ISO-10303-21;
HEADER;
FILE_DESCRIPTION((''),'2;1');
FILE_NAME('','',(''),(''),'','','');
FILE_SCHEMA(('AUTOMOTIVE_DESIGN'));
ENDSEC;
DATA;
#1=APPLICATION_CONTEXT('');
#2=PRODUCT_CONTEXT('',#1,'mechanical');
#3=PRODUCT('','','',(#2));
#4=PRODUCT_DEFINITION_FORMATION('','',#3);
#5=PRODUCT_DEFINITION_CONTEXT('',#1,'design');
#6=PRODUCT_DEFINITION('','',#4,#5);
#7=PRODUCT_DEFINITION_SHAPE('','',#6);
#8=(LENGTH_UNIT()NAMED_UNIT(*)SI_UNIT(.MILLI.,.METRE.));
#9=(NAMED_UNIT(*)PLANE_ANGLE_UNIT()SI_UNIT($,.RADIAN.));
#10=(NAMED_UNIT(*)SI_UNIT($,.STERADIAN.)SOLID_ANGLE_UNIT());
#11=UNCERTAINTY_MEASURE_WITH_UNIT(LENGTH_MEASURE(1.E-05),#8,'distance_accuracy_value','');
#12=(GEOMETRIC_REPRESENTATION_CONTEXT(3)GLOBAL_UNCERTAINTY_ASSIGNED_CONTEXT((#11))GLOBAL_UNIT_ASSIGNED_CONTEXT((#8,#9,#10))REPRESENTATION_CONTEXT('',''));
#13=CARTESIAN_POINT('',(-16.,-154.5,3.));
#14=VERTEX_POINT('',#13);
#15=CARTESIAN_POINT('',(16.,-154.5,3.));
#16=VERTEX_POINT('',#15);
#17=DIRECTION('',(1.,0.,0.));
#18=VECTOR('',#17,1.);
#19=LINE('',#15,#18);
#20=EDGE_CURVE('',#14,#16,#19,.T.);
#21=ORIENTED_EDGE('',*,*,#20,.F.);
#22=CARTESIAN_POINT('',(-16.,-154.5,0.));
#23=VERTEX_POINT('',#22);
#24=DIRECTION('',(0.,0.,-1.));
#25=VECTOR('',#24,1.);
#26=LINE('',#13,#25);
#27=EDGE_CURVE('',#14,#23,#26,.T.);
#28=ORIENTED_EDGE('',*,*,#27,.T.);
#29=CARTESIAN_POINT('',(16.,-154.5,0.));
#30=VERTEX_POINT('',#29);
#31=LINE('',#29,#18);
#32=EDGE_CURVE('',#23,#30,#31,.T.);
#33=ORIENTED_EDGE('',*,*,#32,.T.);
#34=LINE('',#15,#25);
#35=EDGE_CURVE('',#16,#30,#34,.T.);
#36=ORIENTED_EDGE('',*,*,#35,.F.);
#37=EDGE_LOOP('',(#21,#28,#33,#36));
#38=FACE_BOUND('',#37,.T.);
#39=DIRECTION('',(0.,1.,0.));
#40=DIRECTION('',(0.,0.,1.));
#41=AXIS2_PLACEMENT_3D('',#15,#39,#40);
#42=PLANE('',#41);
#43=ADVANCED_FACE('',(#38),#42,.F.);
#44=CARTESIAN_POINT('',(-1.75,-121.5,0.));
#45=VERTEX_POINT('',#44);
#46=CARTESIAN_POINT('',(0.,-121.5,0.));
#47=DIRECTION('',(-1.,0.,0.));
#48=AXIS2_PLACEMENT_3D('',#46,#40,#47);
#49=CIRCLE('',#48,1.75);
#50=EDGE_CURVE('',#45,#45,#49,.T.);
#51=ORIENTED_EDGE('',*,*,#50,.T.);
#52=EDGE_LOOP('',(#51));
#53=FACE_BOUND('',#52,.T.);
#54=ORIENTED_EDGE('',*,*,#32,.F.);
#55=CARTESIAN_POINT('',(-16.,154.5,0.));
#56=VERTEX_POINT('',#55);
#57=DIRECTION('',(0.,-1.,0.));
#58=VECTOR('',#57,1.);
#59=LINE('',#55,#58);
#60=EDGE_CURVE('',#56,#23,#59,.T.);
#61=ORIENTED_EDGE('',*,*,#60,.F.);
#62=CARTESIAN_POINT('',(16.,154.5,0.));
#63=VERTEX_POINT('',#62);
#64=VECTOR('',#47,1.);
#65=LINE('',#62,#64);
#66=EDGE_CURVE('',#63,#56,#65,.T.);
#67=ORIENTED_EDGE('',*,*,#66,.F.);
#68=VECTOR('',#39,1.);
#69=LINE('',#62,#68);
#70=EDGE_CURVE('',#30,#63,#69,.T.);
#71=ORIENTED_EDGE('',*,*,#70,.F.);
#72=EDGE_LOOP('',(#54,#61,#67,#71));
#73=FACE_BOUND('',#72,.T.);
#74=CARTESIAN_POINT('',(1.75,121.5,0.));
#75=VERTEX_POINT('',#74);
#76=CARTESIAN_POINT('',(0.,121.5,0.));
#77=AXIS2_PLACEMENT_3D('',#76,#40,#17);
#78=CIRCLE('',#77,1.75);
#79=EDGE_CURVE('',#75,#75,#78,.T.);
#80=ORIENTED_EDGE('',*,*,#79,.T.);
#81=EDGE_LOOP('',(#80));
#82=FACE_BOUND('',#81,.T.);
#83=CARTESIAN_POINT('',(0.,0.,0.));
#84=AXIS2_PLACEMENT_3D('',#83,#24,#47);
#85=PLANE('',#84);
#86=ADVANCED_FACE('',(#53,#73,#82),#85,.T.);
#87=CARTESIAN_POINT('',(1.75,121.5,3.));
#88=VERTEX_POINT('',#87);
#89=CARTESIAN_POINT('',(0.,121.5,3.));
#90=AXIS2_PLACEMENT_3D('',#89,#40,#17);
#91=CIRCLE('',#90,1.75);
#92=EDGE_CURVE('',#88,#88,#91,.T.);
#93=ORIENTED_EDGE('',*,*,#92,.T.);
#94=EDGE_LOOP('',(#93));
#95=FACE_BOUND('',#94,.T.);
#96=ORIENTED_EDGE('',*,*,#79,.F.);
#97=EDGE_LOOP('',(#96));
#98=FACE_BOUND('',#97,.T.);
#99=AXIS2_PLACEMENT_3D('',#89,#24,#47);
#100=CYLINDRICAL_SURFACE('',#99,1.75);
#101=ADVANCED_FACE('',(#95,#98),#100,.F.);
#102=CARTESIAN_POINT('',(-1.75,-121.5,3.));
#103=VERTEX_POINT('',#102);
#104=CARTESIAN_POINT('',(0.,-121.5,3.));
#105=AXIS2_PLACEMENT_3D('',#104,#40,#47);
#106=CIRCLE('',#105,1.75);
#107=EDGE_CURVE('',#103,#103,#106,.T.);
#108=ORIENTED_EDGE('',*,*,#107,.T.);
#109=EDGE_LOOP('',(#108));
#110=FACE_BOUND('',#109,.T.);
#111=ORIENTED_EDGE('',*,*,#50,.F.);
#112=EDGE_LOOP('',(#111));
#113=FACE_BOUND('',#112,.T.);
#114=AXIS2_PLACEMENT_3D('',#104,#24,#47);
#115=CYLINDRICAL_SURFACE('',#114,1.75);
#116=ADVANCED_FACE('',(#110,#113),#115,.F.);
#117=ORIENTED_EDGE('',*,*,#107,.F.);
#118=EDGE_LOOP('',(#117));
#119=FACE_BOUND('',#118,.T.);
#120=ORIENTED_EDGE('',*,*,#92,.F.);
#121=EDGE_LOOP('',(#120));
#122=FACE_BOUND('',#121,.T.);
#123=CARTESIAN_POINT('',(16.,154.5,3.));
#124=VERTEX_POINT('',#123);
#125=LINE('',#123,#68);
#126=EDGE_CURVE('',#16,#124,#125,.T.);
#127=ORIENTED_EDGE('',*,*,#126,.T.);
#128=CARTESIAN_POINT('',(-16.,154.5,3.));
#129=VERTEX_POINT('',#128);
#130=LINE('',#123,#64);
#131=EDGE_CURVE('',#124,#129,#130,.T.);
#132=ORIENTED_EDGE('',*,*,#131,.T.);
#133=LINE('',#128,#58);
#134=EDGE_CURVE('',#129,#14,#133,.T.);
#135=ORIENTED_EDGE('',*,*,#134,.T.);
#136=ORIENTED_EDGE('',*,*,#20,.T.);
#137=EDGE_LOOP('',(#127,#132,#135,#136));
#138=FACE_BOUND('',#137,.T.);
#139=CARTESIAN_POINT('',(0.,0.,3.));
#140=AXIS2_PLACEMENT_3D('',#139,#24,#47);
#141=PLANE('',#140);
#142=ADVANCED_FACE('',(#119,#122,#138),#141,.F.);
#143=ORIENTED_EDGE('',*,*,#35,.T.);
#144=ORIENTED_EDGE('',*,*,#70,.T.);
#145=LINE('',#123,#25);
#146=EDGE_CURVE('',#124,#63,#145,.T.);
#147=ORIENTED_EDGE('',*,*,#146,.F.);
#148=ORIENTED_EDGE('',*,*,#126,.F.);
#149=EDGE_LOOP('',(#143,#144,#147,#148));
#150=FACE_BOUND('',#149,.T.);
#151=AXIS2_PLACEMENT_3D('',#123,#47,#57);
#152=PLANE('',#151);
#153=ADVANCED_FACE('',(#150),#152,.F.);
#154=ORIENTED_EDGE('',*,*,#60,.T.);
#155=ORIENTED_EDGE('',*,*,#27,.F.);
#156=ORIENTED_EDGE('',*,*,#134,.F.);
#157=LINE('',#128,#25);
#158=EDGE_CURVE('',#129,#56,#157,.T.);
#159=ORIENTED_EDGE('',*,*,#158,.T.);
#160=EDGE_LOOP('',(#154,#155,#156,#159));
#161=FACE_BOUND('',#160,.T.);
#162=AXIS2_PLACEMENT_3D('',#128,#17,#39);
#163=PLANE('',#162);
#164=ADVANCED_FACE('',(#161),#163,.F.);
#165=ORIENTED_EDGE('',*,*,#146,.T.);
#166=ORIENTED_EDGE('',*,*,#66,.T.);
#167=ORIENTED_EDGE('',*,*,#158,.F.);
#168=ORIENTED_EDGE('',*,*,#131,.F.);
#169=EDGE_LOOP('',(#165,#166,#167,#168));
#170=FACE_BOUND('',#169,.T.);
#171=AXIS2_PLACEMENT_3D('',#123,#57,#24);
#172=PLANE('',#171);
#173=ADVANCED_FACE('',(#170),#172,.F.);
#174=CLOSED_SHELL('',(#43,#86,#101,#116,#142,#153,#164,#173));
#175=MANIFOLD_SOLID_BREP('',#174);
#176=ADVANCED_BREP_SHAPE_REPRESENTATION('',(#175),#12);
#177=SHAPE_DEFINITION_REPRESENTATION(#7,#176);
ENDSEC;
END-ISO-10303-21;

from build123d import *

# Parameters (mm, degrees)
ESQUISSE1_W        = 32
ESQUISSE1_H        = 309
ESQUISSE1_R        = 1.75
BOSS_EXTRU_1_DEPTH = 3


with BuildPart() as part:
    # Esquisse1 → Boss.-Extru.1 (new body)
    with BuildSketch(Plane.XY):
        Rectangle(ESQUISSE1_W, ESQUISSE1_H)
        with Locations((0, 121.5)):
            Circle(ESQUISSE1_R, mode=Mode.SUBTRACT)
        with Locations((0, -121.5)):
            Circle(ESQUISSE1_R, mode=Mode.SUBTRACT)
    extrude(amount=BOSS_EXTRU_1_DEPTH)


solid = part.part
